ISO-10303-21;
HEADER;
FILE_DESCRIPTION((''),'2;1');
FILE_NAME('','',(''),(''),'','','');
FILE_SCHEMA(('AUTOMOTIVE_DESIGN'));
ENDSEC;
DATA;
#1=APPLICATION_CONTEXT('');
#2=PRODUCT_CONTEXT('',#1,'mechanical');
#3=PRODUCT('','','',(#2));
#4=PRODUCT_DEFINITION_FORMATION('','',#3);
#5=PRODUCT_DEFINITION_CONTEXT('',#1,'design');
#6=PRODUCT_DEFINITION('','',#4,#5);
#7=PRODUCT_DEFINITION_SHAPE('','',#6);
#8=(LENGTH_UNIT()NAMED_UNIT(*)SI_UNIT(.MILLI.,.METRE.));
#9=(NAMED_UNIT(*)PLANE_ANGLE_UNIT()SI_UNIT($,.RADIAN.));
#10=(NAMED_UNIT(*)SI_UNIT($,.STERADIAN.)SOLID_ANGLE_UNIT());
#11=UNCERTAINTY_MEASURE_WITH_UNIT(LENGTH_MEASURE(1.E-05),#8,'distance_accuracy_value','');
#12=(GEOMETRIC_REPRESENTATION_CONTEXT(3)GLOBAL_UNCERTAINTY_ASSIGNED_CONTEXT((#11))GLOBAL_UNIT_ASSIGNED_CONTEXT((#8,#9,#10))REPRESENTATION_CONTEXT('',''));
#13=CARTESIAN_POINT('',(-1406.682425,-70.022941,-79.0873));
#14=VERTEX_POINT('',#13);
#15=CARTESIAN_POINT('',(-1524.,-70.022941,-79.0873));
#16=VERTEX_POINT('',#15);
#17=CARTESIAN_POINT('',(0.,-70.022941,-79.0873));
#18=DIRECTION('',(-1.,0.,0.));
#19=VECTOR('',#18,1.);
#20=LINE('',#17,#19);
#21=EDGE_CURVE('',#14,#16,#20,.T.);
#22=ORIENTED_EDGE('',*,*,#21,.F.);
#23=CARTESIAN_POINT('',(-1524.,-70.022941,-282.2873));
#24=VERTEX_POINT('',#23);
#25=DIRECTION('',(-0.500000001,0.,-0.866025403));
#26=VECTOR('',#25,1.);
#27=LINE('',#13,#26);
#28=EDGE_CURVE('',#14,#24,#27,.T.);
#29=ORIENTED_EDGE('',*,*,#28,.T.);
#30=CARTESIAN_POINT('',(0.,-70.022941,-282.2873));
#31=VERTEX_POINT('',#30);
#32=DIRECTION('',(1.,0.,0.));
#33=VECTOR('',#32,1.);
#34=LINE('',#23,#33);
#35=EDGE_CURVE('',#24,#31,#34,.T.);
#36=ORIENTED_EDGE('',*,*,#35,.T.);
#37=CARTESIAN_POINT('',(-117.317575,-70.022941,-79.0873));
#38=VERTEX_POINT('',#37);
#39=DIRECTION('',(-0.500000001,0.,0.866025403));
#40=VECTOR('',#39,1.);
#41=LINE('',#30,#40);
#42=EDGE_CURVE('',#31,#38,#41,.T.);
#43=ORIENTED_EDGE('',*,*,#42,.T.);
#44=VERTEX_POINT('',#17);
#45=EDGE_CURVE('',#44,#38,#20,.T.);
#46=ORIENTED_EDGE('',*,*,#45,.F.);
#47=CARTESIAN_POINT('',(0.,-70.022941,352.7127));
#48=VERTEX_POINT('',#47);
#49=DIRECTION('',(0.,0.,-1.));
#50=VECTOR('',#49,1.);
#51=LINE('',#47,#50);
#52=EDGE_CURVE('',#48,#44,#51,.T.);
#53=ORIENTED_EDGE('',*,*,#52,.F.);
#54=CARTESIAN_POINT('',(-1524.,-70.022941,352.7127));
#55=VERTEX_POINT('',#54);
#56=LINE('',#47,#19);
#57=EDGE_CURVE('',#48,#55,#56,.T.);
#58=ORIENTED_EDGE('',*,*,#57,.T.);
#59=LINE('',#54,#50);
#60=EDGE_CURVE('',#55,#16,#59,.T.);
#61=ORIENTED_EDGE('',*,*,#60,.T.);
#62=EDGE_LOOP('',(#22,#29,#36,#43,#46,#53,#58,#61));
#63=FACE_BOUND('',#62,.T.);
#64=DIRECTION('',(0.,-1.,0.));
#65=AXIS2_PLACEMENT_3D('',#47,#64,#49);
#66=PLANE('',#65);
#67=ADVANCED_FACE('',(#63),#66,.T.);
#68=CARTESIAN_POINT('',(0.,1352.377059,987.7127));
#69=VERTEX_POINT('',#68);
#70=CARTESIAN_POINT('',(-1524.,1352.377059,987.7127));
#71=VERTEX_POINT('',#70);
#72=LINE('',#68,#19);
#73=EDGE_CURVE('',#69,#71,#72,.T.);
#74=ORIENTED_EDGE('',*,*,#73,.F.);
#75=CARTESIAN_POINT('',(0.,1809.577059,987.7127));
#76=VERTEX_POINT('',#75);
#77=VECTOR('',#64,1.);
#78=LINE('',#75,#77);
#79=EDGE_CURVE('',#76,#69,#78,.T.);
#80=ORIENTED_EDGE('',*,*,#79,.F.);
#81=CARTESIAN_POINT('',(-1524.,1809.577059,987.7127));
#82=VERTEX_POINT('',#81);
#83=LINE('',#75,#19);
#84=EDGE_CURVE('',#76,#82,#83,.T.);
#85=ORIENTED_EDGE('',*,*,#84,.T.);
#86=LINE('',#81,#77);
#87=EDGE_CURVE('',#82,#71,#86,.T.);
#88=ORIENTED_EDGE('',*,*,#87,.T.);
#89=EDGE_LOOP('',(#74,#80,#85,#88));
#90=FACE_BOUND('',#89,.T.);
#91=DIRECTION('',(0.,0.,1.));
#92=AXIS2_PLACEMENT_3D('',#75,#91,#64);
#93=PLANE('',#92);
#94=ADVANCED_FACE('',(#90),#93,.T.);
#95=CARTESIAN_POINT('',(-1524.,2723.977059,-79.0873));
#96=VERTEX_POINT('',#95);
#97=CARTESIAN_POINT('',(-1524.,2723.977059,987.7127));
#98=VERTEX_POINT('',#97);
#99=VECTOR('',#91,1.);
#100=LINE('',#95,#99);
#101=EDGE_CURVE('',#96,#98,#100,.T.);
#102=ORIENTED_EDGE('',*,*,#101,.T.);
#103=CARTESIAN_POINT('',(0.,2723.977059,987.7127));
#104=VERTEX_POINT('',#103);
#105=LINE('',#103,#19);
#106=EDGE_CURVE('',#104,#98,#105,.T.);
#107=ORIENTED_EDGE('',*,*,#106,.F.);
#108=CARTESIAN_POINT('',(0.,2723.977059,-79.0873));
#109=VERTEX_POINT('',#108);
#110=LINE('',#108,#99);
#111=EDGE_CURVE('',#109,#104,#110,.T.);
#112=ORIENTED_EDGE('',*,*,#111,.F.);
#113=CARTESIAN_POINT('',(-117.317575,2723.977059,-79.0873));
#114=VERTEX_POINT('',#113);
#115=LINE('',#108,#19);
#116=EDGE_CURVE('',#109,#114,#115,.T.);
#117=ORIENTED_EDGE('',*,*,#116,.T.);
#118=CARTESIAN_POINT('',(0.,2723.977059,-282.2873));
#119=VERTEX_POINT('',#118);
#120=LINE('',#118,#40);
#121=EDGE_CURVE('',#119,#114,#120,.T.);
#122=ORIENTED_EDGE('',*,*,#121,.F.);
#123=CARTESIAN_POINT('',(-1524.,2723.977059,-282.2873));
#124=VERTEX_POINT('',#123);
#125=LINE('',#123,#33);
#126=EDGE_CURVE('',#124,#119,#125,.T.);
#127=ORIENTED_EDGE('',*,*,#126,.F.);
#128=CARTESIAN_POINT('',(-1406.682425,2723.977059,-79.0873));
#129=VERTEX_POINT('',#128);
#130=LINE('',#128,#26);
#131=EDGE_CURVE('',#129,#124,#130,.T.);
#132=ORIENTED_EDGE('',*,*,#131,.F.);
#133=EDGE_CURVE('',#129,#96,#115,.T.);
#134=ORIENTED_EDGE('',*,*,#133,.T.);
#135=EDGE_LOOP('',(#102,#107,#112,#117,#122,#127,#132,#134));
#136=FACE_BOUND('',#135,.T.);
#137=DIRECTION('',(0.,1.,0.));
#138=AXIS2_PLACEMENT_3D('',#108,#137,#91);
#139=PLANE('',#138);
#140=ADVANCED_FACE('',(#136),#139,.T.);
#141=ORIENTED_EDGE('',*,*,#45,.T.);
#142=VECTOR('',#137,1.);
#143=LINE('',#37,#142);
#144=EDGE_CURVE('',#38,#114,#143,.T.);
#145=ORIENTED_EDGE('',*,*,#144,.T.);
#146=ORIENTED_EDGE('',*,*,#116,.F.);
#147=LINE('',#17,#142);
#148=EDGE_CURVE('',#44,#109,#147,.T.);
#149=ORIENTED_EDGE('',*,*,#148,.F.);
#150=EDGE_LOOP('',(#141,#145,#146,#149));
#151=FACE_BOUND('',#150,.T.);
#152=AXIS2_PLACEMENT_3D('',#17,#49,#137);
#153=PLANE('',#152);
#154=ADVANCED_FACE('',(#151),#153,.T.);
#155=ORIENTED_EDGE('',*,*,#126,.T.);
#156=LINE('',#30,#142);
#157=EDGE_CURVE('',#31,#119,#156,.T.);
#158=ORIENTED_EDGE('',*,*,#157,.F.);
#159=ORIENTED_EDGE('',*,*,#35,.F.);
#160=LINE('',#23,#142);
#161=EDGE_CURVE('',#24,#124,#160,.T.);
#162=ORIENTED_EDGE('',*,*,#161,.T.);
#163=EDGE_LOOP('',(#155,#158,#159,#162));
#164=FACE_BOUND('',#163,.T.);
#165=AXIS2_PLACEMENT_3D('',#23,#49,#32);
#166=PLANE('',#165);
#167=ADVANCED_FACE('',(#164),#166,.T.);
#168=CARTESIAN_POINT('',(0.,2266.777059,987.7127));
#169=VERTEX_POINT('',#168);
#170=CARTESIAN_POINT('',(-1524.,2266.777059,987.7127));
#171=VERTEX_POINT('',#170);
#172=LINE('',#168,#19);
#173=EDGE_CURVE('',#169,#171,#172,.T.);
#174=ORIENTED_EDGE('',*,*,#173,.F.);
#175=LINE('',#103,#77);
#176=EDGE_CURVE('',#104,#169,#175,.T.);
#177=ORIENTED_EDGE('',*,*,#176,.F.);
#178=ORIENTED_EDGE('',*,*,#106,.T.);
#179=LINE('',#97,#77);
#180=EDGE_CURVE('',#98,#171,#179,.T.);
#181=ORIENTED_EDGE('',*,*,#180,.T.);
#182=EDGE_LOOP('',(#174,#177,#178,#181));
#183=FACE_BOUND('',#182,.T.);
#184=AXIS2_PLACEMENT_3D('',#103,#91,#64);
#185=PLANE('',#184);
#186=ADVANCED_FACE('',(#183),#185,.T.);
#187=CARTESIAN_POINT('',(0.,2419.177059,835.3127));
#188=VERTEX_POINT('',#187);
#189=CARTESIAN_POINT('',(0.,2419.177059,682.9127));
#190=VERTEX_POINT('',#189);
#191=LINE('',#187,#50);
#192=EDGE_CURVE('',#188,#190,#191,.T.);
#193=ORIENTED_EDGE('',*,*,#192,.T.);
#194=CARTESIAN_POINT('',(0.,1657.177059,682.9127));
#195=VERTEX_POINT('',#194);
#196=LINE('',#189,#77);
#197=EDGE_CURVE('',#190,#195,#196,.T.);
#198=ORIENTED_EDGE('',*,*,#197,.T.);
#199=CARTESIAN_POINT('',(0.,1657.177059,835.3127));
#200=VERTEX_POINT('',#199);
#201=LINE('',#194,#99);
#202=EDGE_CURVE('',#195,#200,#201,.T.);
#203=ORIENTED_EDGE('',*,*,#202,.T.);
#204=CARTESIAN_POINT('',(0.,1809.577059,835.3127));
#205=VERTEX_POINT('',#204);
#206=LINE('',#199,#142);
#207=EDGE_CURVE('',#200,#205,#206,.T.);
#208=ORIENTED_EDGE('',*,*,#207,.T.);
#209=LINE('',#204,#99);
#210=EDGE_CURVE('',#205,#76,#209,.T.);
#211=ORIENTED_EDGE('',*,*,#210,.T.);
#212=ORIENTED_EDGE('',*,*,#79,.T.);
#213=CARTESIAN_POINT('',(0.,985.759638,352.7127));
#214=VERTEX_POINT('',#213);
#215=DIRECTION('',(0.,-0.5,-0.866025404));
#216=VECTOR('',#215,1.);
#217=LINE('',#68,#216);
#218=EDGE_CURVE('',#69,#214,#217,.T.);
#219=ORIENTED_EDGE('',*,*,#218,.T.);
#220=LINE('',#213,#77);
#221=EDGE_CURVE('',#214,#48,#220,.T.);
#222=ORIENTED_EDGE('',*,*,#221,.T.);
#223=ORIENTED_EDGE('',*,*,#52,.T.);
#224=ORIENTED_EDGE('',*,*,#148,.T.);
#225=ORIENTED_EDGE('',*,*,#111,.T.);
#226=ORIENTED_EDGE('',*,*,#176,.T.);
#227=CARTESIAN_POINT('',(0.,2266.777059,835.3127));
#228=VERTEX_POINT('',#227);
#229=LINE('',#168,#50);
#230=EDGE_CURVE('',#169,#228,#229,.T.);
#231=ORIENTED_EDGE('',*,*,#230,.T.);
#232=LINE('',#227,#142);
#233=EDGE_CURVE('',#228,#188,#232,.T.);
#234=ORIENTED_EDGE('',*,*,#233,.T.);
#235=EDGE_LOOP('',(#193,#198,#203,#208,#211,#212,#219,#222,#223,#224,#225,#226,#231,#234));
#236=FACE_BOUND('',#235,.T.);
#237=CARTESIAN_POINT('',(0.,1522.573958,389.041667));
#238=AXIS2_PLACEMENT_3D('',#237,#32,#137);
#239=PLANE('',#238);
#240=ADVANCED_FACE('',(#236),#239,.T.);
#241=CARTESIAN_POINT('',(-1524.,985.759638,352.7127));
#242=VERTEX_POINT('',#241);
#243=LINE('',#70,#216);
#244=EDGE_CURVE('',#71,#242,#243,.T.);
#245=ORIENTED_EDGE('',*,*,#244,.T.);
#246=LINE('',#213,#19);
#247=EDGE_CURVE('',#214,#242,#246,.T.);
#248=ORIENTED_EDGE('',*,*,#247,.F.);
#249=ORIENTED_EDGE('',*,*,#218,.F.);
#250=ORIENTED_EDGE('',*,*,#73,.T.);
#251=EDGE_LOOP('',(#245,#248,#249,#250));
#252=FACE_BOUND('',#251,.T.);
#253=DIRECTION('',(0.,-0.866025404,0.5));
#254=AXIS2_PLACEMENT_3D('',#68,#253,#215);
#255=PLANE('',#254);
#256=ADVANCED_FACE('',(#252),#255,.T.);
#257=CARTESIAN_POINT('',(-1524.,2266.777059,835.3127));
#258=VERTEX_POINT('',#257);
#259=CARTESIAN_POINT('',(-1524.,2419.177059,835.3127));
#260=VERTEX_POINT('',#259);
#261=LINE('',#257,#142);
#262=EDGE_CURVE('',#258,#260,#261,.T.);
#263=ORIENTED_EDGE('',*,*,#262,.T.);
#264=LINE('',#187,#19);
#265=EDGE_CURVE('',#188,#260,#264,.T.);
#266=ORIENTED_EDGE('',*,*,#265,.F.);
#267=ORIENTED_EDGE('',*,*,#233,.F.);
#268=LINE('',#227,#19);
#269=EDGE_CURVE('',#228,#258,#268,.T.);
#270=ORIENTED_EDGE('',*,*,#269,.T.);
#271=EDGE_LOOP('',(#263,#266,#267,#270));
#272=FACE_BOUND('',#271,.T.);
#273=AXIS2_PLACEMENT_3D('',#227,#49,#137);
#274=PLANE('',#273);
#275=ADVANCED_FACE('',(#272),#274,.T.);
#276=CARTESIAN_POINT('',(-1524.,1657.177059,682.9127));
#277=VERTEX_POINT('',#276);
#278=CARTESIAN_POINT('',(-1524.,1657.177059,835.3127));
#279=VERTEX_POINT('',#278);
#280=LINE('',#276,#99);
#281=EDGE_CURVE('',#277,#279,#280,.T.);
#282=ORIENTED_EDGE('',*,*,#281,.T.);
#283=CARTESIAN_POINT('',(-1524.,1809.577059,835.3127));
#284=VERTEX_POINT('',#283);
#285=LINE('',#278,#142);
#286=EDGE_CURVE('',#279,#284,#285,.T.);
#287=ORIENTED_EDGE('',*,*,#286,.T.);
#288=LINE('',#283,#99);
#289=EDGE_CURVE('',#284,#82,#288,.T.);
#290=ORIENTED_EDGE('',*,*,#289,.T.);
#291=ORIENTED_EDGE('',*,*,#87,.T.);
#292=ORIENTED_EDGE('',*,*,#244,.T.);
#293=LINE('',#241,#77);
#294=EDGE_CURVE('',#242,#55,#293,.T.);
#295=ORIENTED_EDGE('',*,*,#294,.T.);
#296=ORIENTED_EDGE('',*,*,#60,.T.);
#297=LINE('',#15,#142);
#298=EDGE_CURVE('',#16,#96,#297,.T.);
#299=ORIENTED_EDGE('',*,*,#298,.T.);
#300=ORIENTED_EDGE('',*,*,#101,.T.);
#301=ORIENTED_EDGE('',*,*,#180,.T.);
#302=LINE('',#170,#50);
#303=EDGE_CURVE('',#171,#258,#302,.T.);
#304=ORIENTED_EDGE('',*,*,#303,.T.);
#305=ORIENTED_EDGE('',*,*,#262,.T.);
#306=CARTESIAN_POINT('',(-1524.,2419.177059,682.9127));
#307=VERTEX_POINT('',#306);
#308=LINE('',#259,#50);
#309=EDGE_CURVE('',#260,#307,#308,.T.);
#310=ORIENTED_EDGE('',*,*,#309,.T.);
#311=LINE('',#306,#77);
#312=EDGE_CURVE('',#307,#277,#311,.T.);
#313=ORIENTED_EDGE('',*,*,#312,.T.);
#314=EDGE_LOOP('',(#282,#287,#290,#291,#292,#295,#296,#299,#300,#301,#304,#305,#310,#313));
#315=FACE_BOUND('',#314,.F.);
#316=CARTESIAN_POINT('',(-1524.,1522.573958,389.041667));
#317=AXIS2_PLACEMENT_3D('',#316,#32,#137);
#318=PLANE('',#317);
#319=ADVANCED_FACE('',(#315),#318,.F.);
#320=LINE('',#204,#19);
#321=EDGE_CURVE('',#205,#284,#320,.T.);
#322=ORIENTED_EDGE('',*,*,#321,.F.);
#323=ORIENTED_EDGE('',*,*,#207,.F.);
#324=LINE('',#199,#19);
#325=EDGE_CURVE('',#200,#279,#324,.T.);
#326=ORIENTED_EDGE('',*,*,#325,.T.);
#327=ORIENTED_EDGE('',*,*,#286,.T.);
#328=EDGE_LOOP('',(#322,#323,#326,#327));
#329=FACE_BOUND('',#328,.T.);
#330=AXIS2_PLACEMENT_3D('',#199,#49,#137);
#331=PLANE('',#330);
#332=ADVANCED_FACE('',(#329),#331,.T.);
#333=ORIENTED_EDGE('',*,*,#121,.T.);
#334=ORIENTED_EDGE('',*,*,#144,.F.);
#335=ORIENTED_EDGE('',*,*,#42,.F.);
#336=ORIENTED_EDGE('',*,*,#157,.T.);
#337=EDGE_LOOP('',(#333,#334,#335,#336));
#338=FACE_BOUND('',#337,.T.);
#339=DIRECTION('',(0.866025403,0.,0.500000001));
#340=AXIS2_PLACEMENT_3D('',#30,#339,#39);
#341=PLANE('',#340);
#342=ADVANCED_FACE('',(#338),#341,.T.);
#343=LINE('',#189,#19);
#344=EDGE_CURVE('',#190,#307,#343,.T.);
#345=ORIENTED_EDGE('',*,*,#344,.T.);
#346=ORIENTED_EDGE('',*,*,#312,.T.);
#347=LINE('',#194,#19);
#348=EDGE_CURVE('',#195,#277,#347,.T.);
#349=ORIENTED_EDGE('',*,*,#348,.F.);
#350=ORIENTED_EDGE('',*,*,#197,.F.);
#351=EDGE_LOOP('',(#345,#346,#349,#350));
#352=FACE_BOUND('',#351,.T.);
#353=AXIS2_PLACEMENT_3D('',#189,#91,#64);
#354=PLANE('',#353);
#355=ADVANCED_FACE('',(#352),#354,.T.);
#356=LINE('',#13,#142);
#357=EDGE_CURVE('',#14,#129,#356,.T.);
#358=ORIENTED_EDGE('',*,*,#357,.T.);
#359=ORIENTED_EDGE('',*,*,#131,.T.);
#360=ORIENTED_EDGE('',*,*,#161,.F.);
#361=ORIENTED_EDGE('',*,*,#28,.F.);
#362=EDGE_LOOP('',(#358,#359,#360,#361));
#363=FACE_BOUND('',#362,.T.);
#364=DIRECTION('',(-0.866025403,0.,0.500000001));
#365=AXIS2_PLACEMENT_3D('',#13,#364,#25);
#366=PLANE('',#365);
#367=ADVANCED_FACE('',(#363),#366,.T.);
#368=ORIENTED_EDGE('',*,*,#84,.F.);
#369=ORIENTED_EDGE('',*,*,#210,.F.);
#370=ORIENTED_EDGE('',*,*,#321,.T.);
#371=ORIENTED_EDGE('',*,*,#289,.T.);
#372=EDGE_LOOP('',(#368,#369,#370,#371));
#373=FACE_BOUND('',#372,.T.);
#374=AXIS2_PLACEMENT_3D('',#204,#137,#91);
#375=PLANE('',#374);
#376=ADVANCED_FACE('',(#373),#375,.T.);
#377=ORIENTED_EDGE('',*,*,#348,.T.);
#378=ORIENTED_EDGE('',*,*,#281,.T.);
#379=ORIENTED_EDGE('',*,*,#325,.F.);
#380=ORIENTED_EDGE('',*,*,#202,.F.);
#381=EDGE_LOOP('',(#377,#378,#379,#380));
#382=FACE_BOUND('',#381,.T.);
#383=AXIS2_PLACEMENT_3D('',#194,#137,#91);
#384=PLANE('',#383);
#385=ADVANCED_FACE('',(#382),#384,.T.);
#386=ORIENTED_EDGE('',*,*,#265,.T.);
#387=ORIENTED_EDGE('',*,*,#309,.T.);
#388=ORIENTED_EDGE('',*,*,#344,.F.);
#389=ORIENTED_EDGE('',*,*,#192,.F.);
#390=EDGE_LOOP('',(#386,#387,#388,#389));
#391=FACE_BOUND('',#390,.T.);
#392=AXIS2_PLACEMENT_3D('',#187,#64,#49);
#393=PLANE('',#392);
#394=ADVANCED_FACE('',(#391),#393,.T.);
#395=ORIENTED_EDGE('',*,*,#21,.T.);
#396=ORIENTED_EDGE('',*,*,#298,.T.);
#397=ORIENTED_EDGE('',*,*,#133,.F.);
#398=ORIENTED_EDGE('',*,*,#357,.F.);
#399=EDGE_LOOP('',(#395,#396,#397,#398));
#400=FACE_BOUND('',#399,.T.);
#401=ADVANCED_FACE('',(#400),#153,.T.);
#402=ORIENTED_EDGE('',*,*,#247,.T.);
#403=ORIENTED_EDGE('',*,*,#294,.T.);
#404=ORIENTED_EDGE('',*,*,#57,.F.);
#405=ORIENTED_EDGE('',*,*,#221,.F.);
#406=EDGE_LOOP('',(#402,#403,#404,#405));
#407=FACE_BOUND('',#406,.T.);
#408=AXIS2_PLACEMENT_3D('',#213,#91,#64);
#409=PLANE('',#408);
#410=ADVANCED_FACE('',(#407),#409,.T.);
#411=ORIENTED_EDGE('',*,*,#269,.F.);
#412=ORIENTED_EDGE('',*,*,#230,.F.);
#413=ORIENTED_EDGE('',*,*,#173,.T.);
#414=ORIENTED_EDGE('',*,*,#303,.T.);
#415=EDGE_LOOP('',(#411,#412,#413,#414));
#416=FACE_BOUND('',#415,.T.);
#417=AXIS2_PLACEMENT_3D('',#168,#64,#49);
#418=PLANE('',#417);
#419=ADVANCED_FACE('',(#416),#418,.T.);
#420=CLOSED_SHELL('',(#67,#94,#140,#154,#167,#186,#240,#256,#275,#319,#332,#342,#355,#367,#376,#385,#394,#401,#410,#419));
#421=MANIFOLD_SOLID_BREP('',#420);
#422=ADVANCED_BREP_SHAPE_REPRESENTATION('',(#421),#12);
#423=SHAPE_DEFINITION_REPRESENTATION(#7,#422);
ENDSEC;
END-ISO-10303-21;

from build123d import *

# Parameters (mm, degrees)
F1_DEPTH = 1524
F3_DEPTH = 2794


with BuildPart() as f1:
    # F0 (on Right) → F1 (new body)
    with BuildSketch(Plane.YZ):
        Polygon((-70.022941, 352.7127), (-70.022941, -79.0873), (2723.977059, -79.0873), (2723.977059, 987.7127), (2266.777059, 987.7127), (2266.777059, 835.3127), (2419.177059, 835.3127), (2419.177059, 682.9127), (1657.177059, 682.9127), (1657.177059, 835.3127), (1809.577059, 835.3127), (1809.577059, 987.7127), (1352.377059, 987.7127), (985.759638, 352.7127), align=None)
    extrude(amount=-F1_DEPTH)

    # F2 (on face) → F3 (join)
    with BuildSketch(Plane.XZ.offset(70.022941)):
        Polygon((-1406.682425, -79.0873), (-1524, -282.2873), (0, -282.2873), (-117.317575, -79.0873), align=None)
    extrude(amount=-F3_DEPTH)


solid = f1.part
